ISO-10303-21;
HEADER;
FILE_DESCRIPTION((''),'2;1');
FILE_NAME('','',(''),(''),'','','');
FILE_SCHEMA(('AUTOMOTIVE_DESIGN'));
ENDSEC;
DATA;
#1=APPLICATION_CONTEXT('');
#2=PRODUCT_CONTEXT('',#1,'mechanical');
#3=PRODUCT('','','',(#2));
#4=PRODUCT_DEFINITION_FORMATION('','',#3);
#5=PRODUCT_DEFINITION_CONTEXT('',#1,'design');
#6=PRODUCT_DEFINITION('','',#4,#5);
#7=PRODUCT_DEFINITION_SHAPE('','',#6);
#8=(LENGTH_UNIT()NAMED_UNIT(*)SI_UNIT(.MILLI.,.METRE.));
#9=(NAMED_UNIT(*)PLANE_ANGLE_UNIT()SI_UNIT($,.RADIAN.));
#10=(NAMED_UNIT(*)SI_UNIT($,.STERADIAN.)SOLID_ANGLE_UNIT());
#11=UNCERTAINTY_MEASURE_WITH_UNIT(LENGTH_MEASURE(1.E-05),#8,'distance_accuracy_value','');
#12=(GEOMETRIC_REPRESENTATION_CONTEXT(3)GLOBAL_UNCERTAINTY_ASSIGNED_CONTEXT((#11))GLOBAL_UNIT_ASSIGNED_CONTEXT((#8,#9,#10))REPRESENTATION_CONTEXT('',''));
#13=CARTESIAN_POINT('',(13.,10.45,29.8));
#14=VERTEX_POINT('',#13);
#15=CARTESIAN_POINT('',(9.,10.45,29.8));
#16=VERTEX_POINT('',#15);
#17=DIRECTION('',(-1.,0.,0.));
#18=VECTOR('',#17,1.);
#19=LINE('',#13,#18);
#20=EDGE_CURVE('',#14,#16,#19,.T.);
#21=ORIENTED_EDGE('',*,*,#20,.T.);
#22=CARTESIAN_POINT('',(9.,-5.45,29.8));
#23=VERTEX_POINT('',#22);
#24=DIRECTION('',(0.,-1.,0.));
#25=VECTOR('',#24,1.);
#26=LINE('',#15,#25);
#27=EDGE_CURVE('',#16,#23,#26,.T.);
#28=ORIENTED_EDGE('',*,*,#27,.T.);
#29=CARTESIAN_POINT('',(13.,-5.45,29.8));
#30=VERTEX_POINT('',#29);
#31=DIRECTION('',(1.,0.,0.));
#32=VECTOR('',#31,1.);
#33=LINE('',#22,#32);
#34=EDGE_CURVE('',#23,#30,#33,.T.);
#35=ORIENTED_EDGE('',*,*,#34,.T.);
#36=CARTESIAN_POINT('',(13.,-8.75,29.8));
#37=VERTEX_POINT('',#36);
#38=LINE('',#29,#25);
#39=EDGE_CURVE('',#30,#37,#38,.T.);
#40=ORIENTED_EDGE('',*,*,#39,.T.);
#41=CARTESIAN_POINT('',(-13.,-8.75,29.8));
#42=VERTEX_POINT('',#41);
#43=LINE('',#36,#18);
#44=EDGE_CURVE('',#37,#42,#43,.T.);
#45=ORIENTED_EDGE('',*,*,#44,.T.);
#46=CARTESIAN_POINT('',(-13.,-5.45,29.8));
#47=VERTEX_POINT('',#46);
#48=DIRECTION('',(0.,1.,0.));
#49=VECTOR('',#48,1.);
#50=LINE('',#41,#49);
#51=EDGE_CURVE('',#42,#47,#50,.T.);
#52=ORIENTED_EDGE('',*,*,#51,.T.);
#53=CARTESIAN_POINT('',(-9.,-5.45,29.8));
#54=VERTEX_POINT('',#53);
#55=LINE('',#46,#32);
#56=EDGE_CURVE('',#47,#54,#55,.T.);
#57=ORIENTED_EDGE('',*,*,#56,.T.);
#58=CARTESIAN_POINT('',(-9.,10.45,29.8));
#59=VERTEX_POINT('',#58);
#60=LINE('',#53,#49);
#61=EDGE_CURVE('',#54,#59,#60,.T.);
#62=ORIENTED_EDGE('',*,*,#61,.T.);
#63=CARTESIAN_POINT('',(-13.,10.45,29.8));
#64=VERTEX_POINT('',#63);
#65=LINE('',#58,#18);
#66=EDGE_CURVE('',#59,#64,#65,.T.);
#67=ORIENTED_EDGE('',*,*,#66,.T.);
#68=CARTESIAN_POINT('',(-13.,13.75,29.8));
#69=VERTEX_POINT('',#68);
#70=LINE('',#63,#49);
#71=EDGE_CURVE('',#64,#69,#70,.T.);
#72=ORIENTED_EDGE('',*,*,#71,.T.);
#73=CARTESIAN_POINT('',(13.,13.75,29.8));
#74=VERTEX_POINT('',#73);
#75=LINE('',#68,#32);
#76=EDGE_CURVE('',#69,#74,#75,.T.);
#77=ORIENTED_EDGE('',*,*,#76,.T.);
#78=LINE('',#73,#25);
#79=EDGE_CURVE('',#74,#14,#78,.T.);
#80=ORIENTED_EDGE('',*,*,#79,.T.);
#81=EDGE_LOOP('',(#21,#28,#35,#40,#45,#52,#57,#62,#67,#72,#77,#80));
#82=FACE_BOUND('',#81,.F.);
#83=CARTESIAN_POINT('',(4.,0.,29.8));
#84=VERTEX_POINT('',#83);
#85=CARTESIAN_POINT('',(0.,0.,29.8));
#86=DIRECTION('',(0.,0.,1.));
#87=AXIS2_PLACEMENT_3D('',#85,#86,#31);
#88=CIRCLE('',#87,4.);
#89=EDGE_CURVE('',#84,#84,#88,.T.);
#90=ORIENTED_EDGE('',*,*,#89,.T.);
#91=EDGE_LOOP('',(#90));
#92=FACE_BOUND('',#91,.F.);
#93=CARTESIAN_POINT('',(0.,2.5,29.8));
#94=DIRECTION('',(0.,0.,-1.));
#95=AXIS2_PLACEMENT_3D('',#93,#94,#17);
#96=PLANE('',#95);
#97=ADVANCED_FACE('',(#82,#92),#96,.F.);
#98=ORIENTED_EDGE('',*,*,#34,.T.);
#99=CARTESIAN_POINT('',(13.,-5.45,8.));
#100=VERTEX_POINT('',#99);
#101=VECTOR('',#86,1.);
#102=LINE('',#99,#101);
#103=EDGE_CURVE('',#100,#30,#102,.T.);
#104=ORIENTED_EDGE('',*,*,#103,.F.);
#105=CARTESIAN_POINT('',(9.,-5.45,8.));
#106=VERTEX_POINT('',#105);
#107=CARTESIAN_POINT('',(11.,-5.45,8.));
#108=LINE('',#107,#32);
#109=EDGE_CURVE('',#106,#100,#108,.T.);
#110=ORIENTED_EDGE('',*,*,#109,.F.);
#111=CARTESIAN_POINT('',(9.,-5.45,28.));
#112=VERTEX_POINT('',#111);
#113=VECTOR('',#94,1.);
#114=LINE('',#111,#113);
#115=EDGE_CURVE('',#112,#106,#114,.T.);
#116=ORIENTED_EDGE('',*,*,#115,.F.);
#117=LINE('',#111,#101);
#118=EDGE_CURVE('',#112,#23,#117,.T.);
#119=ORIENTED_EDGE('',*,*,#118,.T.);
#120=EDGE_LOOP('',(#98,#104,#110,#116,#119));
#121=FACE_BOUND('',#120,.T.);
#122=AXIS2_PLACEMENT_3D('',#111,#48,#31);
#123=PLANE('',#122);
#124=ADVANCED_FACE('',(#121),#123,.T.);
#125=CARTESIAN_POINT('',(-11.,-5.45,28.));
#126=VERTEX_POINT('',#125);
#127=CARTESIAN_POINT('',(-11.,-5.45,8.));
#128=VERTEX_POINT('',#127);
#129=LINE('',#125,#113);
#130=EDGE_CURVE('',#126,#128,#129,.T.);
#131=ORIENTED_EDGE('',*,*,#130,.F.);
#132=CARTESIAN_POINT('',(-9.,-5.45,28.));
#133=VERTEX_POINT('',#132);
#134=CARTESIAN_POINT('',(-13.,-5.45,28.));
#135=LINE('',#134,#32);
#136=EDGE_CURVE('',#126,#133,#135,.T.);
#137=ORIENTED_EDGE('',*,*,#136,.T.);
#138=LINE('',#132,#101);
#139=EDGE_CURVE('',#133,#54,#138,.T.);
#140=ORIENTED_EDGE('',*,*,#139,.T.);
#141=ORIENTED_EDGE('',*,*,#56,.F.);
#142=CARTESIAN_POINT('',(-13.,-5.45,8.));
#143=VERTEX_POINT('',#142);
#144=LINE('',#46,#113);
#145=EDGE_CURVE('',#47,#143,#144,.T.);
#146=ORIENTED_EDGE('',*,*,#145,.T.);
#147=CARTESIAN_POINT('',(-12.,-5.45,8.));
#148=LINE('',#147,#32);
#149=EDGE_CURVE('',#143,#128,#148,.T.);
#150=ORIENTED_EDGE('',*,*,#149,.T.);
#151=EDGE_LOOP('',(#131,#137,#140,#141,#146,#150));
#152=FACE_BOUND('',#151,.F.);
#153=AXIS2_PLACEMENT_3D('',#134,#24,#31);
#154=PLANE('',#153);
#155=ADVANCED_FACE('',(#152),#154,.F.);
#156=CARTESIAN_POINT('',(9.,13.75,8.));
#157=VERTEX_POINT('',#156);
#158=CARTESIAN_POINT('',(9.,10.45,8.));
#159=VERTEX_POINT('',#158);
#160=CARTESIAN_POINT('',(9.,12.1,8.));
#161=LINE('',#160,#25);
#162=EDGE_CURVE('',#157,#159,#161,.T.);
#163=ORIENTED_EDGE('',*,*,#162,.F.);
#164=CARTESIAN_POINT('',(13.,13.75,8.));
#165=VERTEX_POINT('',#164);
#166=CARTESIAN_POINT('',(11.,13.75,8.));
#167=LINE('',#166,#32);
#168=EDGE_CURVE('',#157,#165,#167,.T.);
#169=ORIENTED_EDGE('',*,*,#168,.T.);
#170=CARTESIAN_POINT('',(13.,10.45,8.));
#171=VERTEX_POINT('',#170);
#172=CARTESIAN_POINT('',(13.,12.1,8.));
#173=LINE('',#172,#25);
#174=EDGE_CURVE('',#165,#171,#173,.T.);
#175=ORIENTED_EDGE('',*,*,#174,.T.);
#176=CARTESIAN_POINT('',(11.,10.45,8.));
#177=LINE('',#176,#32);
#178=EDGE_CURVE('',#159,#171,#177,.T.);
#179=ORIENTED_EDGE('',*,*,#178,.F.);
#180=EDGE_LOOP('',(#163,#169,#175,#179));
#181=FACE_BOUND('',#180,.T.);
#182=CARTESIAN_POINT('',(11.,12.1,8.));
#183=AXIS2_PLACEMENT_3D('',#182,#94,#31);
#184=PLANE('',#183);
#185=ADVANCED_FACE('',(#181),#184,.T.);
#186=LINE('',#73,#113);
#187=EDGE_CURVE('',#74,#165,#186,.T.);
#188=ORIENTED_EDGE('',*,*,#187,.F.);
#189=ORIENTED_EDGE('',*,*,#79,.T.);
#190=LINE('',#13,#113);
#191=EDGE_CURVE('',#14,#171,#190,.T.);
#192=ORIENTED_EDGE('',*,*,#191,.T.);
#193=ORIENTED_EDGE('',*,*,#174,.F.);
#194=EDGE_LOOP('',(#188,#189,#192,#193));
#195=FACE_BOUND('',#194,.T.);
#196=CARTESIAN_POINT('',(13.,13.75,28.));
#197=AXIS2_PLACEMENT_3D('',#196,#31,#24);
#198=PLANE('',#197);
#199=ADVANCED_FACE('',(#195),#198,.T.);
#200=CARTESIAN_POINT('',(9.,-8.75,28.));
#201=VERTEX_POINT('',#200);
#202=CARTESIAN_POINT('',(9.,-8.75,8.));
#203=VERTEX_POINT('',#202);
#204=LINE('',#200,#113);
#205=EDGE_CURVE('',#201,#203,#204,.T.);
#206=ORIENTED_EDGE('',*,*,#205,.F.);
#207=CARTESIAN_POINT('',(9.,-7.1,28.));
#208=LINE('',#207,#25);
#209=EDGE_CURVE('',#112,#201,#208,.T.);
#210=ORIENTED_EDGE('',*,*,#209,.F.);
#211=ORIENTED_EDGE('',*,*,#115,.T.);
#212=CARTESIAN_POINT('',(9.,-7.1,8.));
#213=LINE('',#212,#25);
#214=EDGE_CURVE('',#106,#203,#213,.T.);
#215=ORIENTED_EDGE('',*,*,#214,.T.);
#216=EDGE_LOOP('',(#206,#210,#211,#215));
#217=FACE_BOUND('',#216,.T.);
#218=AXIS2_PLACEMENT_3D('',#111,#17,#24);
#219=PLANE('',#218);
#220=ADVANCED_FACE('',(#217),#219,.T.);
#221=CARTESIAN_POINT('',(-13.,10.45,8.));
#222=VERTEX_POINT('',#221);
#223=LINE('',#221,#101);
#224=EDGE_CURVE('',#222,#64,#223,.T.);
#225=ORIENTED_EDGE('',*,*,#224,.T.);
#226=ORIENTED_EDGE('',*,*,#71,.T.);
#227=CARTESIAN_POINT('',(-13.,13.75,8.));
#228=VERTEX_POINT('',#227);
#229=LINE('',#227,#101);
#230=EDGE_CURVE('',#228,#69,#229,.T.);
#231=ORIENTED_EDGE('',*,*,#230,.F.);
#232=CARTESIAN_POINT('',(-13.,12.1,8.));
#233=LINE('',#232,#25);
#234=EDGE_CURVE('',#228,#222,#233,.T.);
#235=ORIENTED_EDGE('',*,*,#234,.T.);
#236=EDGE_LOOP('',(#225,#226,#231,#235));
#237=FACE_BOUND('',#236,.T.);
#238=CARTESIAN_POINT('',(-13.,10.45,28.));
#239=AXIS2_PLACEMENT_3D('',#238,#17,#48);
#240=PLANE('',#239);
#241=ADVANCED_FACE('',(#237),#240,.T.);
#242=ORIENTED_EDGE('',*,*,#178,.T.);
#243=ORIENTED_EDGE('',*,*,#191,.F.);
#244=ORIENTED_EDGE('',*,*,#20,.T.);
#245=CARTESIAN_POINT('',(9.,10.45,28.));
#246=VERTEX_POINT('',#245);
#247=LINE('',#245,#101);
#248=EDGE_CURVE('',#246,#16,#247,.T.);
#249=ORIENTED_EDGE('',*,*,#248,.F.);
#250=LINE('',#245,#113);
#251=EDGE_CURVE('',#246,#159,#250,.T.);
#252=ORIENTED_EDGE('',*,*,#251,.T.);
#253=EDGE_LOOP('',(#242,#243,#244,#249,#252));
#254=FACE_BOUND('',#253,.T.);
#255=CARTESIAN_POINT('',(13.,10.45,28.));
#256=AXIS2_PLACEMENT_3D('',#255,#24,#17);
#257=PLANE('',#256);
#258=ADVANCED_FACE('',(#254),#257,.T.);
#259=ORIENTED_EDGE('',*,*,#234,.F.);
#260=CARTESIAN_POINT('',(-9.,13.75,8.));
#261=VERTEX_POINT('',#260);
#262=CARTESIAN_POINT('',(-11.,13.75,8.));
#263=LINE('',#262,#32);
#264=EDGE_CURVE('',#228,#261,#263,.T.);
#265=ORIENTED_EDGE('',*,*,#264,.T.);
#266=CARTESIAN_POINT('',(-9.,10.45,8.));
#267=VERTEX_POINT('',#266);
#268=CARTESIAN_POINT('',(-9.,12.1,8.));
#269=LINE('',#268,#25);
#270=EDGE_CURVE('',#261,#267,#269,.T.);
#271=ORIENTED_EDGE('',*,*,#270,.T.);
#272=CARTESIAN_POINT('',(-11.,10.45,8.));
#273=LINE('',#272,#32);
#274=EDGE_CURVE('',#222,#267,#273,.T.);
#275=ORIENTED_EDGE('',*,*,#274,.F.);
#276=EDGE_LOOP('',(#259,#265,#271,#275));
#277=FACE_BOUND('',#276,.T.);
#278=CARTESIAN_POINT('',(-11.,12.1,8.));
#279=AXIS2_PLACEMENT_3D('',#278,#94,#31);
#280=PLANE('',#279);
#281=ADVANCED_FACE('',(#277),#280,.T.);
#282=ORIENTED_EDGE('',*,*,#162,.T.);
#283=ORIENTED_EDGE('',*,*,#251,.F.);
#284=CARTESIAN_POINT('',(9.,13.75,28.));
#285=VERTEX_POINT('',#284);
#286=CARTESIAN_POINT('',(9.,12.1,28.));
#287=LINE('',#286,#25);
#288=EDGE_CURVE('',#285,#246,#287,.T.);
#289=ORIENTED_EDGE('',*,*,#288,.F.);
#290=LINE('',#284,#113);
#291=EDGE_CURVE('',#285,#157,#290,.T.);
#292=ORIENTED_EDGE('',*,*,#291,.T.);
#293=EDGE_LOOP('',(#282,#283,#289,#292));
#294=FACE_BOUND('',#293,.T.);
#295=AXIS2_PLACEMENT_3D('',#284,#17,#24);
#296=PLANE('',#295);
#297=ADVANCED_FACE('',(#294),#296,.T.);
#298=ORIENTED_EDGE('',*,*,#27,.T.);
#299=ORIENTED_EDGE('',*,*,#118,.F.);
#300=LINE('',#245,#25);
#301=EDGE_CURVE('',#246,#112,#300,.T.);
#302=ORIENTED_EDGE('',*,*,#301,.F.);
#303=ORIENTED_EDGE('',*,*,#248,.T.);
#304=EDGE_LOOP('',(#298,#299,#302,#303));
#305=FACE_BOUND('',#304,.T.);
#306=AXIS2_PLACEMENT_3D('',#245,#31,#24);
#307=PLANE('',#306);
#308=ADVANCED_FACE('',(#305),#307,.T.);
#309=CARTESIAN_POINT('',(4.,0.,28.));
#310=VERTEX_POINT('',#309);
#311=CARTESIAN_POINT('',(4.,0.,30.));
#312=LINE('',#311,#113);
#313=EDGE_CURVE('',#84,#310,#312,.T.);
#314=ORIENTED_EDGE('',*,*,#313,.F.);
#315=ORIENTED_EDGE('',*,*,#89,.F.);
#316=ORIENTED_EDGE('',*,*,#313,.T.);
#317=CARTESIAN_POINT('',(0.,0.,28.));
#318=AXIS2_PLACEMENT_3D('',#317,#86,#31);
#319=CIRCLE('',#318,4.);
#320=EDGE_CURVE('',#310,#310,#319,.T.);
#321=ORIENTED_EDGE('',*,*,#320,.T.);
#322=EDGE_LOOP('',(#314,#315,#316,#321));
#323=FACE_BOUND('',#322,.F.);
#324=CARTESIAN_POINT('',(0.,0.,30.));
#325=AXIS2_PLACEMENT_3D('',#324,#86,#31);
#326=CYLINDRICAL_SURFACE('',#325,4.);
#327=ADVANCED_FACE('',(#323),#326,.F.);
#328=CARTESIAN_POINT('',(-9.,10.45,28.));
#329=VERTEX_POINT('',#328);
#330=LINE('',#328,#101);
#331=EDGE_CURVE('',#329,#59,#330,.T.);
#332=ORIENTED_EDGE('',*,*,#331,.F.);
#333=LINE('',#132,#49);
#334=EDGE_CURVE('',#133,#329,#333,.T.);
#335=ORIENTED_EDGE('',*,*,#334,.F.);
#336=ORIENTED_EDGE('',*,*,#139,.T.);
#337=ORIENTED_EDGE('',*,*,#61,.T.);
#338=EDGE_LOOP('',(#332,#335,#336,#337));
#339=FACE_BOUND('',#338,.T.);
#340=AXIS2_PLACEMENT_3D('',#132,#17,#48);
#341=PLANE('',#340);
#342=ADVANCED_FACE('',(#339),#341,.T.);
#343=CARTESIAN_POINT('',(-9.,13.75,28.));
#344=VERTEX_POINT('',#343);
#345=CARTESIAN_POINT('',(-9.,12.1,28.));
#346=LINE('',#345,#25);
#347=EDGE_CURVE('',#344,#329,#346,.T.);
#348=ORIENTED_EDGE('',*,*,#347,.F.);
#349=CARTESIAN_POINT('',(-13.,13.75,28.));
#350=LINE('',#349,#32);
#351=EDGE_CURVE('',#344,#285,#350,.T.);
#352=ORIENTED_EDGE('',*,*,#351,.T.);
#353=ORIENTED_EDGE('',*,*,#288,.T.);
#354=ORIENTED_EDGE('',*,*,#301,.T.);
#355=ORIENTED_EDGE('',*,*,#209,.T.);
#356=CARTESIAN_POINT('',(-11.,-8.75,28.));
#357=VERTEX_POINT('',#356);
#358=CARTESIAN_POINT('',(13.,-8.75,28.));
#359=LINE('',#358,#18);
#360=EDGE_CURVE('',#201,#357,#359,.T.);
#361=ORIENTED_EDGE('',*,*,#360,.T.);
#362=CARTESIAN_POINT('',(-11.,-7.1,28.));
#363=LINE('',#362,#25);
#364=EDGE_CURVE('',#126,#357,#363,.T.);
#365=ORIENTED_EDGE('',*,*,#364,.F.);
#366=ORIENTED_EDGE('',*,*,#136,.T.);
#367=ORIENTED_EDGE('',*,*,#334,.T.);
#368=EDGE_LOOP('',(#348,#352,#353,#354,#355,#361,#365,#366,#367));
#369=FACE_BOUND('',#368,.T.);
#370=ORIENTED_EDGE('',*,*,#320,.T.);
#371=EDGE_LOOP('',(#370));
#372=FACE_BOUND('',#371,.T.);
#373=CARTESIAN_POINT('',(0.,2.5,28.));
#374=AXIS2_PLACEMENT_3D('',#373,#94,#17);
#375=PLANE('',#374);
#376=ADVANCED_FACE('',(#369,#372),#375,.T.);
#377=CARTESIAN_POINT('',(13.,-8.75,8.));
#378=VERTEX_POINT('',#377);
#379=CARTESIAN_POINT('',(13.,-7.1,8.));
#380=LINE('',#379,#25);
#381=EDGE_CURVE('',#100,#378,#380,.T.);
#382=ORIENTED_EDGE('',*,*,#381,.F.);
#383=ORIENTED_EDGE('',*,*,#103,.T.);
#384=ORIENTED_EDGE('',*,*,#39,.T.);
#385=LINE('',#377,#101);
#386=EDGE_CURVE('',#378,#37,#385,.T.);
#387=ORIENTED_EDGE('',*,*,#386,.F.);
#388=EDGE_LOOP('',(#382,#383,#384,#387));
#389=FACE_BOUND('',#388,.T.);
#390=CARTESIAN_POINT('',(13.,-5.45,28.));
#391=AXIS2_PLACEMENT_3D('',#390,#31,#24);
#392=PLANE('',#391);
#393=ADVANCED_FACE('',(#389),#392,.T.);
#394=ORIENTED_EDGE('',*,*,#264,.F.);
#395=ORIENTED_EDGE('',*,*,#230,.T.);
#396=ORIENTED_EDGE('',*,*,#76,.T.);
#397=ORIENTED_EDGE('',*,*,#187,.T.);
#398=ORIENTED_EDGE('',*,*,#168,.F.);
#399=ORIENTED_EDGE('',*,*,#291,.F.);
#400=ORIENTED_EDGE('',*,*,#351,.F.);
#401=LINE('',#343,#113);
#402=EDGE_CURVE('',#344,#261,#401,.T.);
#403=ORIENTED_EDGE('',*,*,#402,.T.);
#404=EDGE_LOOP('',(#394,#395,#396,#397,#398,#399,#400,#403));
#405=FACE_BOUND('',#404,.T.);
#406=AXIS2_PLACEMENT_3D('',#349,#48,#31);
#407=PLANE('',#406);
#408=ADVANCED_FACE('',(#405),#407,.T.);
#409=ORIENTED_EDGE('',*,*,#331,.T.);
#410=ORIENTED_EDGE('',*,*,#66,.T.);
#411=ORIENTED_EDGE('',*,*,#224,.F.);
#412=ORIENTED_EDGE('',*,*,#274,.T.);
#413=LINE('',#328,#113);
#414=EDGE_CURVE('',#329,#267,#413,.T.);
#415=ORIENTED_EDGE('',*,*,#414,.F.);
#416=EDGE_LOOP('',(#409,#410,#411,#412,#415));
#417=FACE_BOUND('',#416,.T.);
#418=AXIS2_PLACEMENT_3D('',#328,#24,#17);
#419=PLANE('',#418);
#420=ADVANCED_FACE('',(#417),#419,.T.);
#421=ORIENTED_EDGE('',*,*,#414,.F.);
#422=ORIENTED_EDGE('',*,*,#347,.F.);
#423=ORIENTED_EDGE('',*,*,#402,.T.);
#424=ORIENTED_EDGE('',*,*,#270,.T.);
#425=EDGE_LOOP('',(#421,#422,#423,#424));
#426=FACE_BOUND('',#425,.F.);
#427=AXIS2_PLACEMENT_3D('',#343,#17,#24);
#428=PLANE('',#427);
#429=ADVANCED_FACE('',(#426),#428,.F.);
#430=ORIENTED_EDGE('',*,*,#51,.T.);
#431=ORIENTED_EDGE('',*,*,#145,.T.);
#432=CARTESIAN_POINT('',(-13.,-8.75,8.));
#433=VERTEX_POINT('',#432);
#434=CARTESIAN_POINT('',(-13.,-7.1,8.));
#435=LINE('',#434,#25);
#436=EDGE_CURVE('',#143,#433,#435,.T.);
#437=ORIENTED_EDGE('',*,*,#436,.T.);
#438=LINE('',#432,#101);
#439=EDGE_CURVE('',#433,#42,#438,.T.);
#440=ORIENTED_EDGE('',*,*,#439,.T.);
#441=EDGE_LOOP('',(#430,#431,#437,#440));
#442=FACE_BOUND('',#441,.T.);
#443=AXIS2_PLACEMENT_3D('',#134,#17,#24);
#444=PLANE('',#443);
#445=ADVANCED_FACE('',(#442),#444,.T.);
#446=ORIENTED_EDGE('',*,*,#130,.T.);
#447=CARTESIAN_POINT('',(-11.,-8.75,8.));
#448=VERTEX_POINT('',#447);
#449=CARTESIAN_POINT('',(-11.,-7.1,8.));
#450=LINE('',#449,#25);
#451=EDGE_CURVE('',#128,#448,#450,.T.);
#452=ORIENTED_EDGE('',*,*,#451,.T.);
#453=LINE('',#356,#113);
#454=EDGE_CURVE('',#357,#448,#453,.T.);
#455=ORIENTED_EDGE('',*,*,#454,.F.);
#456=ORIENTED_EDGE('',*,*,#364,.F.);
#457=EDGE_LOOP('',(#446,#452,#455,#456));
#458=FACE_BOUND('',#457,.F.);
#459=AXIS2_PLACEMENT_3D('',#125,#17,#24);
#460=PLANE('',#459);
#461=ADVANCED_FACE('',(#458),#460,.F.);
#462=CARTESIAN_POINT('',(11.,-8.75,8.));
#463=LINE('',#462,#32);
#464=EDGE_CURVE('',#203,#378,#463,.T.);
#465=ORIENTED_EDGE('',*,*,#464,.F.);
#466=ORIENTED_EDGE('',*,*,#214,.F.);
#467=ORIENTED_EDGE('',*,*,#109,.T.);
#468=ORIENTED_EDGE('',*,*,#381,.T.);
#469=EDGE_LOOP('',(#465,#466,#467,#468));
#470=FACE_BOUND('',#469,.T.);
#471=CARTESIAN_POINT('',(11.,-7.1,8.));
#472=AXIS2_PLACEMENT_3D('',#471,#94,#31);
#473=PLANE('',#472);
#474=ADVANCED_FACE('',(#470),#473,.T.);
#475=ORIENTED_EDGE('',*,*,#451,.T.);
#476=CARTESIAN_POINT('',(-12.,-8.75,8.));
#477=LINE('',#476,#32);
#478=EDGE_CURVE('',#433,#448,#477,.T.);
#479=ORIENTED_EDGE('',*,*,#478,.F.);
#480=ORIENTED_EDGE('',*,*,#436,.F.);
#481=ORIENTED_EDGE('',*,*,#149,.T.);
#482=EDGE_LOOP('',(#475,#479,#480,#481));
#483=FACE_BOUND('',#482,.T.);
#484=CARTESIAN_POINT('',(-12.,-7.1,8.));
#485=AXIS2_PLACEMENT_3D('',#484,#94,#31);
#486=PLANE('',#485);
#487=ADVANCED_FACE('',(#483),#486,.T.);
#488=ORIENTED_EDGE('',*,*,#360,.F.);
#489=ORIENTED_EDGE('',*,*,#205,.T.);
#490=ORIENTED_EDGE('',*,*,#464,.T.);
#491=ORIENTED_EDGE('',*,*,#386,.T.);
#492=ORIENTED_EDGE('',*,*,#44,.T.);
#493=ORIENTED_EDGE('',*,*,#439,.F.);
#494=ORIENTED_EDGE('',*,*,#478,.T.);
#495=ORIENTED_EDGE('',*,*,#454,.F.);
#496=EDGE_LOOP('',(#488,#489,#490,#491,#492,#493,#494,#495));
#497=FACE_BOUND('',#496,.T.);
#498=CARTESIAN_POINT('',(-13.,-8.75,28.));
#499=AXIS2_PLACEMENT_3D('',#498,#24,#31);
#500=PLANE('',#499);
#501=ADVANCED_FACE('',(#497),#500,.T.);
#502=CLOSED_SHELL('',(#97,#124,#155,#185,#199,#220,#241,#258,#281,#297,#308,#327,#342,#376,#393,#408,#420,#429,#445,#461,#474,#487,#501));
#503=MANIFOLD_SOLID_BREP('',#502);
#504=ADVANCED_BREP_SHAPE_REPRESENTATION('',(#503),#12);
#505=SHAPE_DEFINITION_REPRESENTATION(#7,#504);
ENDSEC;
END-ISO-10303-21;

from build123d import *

# Parameters (mm, degrees)
PAD009_DEPTH    = 1.8
SKETCH033_R     = 4
POCKET021_DEPTH = 5
SKETCH_W        = 2
SKETCH_H        = 3.3
SKETCH_W_2      = 4
PAD_DEPTH       = 20


with BuildPart() as part:
    # Sketch031 → Pad009 (new body)
    with BuildSketch(Plane.XY):
        Polygon((-13, 13.75), (13, 13.75), (13, 10.45), (9, 10.45), (9, -5.45), (13, -5.45), (13, -8.75), (-13, -8.75), (-13, -5.45), (-9, -5.45), (-9, 10.45), (-13, 10.45), align=None)
    extrude(amount=PAD009_DEPTH)

    # Sketch033 → Pocket021 (cut)
    with BuildSketch(Plane.XY.offset(2)):
        Circle(SKETCH033_R)
    extrude(amount=-POCKET021_DEPTH, mode=Mode.SUBTRACT)

    # Sketch (on Face13 of Pad009) → Pad (join)
    with BuildSketch(Plane(origin=(0, 0, 0), x_dir=(1, 0, 0), z_dir=(0, 0, -1))):
        with Locations((-12, 7.1)):
            Rectangle(SKETCH_W, SKETCH_H)
        with Locations((11, 7.1)):
            Rectangle(SKETCH_W_2, SKETCH_H)
        with Locations((11, -12.1)):
            Rectangle(SKETCH_W_2, SKETCH_H)
        with Locations((-11, -12.1)):
            Rectangle(SKETCH_W_2, SKETCH_H)
    extrude(amount=PAD_DEPTH)


with BuildPart() as part_1:
    # Body005 placement: moved
    add(part.part.moved(Location((0, 0, 28))))


solid = part_1.part
